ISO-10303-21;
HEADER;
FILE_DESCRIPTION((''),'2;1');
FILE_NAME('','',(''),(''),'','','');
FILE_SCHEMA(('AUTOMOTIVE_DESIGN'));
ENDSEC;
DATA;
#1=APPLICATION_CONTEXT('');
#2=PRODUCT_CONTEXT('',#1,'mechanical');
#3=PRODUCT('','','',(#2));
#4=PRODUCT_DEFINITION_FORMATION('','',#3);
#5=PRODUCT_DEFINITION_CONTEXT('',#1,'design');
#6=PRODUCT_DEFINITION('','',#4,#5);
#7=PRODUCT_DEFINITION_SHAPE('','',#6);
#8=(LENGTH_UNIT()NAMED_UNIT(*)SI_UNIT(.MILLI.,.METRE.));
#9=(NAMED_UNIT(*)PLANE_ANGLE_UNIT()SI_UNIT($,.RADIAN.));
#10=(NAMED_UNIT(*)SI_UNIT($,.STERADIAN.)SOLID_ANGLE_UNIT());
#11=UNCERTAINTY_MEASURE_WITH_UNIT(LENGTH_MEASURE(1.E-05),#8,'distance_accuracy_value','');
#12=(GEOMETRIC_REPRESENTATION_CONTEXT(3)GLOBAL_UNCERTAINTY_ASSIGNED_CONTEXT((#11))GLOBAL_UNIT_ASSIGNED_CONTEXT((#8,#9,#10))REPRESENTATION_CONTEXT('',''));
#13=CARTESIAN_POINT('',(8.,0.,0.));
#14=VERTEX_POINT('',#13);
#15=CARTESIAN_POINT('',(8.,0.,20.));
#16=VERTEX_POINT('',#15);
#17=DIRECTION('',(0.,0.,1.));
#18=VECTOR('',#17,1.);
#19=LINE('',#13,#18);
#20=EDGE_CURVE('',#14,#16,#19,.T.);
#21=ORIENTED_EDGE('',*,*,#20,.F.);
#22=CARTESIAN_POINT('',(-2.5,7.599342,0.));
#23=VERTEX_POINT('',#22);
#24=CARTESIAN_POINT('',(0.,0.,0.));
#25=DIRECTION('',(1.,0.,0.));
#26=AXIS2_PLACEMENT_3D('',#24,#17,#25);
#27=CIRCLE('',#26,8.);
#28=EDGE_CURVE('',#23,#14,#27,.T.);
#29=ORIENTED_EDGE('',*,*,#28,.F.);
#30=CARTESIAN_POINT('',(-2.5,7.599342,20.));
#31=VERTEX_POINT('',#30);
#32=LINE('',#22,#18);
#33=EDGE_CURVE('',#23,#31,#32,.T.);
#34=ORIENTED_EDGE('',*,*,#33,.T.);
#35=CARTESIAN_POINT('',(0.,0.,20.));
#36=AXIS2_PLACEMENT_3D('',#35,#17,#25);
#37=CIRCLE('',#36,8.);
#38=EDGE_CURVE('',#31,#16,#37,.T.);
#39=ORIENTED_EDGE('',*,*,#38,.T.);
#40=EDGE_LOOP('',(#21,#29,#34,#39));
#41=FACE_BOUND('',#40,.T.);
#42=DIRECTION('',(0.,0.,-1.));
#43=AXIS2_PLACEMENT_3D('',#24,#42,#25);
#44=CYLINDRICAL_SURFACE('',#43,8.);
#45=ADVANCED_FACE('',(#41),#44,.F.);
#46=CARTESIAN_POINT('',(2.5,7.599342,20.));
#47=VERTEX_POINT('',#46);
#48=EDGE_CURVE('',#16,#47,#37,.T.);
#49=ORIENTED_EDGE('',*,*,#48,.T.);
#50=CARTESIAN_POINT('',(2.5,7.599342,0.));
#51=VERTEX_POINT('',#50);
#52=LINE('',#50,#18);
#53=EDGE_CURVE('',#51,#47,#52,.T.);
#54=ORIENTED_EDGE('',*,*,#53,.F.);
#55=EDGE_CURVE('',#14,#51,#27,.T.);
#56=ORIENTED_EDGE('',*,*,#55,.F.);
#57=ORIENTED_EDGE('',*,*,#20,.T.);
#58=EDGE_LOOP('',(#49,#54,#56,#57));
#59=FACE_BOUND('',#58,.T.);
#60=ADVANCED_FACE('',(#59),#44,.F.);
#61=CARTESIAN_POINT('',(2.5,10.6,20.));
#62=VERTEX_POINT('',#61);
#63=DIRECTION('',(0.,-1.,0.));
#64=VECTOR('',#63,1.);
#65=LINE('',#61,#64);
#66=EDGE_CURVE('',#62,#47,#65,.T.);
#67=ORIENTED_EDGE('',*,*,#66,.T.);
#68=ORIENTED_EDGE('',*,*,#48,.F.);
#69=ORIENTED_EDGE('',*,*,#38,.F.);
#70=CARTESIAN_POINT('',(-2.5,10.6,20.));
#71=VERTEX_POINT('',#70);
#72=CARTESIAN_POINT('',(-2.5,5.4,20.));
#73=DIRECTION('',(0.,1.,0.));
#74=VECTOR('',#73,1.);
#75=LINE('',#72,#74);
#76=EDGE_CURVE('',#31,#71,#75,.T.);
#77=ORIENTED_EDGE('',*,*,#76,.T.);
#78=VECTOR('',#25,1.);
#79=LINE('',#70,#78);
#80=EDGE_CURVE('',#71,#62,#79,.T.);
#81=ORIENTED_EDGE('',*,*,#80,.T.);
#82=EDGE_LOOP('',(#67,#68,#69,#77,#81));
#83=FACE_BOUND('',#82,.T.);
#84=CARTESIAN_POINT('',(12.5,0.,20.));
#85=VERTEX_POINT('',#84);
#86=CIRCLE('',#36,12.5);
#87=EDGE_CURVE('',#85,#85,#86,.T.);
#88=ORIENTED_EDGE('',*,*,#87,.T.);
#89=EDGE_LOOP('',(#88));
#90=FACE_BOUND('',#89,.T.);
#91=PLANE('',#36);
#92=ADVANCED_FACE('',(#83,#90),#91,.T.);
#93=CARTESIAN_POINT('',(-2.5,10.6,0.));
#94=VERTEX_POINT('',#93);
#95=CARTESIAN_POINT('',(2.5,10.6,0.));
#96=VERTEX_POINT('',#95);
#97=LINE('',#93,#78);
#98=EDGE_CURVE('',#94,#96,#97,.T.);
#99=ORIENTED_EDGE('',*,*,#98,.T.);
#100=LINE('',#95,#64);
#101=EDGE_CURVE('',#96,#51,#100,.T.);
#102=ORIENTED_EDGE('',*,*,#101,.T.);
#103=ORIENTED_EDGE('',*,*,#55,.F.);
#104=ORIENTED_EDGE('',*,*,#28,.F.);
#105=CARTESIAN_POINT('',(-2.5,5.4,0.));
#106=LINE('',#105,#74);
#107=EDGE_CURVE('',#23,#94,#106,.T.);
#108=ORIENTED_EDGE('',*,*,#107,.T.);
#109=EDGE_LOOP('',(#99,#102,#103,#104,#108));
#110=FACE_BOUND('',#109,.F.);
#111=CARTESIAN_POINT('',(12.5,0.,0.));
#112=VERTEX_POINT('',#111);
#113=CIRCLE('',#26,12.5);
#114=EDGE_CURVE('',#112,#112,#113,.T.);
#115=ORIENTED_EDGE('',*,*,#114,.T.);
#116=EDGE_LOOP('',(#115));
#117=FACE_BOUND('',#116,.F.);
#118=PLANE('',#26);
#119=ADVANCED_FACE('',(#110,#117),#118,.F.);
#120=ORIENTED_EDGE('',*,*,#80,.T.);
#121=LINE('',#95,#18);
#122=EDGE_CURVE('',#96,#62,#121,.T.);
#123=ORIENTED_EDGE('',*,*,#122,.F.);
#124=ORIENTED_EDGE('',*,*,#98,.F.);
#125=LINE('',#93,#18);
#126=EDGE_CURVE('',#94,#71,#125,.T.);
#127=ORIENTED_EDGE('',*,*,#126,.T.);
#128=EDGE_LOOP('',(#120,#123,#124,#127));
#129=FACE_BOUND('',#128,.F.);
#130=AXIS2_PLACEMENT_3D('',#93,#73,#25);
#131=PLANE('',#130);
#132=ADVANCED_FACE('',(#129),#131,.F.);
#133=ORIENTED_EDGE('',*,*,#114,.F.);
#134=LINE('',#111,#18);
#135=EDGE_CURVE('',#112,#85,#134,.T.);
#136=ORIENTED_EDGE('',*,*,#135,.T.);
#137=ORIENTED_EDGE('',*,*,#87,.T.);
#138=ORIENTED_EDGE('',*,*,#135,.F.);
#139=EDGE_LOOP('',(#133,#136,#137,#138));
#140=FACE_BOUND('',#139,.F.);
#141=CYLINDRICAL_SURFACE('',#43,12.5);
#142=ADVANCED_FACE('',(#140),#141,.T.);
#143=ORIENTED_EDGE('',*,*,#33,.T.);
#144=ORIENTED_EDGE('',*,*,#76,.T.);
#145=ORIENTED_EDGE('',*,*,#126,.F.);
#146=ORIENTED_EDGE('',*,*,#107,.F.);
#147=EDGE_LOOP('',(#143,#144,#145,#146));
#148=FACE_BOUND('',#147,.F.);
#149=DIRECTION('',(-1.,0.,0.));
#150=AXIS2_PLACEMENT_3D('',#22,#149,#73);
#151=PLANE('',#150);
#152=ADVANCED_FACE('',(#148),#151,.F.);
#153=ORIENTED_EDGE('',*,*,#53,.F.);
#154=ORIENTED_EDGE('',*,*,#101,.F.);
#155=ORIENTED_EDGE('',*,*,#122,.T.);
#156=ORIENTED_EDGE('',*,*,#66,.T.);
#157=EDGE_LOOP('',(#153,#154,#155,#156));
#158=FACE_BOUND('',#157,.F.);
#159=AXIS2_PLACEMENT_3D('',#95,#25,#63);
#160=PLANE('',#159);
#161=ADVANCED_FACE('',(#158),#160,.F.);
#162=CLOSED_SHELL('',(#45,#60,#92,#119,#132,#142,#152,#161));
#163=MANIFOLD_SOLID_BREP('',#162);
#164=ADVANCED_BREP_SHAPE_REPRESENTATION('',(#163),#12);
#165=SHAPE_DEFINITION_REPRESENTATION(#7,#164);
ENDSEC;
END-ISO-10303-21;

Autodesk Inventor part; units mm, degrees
ref_plane "YZ Plane" through (0, 0, 0) normal (1, 0, 0) x (0, 1, 0)
ref_plane "XZ Plane" through (0, 0, 0) normal (0, 1, 0) x (-1, 0, 0)
ref_plane "XY Plane" through (0, 0, 0) normal (0, 0, 1) x (1, 0, 0)
sketch "Sketch1" plane through (0, 0, 0) normal (0, 0, 1) x (1, 0, 0)
  circle A0 centre (0, 0) radius 12.5
  circle A1 centre (0, 0) radius 8
  line L0 (-2.5, 10.6) -> (2.5, 10.6)
  line L1 (2.5, 10.6) -> (2.5, 5.4)
  line L2 (2.5, 5.4) -> (-2.5, 5.4)
  line L3 (-2.5, 5.4) -> (-2.5, 10.6)
  line L4 (-2.5, 10.6) -> (2.5, 5.4) construction
  line L5 (2.5, 10.6) -> (-2.5, 5.4) construction
  point P0 (0, 8)
  point P1 (2.5, 7.5993)
  point P2 (-2.5, 7.5993)
  dimension "d0" = 16
  dimension "d1" = 25
  dimension "d2" = 2.6
  dimension "d3" = 5
extrude "Extrusion1" add sketch "Sketch1" along normal blind 20
properties part number "bearing_shaft_adapter"
